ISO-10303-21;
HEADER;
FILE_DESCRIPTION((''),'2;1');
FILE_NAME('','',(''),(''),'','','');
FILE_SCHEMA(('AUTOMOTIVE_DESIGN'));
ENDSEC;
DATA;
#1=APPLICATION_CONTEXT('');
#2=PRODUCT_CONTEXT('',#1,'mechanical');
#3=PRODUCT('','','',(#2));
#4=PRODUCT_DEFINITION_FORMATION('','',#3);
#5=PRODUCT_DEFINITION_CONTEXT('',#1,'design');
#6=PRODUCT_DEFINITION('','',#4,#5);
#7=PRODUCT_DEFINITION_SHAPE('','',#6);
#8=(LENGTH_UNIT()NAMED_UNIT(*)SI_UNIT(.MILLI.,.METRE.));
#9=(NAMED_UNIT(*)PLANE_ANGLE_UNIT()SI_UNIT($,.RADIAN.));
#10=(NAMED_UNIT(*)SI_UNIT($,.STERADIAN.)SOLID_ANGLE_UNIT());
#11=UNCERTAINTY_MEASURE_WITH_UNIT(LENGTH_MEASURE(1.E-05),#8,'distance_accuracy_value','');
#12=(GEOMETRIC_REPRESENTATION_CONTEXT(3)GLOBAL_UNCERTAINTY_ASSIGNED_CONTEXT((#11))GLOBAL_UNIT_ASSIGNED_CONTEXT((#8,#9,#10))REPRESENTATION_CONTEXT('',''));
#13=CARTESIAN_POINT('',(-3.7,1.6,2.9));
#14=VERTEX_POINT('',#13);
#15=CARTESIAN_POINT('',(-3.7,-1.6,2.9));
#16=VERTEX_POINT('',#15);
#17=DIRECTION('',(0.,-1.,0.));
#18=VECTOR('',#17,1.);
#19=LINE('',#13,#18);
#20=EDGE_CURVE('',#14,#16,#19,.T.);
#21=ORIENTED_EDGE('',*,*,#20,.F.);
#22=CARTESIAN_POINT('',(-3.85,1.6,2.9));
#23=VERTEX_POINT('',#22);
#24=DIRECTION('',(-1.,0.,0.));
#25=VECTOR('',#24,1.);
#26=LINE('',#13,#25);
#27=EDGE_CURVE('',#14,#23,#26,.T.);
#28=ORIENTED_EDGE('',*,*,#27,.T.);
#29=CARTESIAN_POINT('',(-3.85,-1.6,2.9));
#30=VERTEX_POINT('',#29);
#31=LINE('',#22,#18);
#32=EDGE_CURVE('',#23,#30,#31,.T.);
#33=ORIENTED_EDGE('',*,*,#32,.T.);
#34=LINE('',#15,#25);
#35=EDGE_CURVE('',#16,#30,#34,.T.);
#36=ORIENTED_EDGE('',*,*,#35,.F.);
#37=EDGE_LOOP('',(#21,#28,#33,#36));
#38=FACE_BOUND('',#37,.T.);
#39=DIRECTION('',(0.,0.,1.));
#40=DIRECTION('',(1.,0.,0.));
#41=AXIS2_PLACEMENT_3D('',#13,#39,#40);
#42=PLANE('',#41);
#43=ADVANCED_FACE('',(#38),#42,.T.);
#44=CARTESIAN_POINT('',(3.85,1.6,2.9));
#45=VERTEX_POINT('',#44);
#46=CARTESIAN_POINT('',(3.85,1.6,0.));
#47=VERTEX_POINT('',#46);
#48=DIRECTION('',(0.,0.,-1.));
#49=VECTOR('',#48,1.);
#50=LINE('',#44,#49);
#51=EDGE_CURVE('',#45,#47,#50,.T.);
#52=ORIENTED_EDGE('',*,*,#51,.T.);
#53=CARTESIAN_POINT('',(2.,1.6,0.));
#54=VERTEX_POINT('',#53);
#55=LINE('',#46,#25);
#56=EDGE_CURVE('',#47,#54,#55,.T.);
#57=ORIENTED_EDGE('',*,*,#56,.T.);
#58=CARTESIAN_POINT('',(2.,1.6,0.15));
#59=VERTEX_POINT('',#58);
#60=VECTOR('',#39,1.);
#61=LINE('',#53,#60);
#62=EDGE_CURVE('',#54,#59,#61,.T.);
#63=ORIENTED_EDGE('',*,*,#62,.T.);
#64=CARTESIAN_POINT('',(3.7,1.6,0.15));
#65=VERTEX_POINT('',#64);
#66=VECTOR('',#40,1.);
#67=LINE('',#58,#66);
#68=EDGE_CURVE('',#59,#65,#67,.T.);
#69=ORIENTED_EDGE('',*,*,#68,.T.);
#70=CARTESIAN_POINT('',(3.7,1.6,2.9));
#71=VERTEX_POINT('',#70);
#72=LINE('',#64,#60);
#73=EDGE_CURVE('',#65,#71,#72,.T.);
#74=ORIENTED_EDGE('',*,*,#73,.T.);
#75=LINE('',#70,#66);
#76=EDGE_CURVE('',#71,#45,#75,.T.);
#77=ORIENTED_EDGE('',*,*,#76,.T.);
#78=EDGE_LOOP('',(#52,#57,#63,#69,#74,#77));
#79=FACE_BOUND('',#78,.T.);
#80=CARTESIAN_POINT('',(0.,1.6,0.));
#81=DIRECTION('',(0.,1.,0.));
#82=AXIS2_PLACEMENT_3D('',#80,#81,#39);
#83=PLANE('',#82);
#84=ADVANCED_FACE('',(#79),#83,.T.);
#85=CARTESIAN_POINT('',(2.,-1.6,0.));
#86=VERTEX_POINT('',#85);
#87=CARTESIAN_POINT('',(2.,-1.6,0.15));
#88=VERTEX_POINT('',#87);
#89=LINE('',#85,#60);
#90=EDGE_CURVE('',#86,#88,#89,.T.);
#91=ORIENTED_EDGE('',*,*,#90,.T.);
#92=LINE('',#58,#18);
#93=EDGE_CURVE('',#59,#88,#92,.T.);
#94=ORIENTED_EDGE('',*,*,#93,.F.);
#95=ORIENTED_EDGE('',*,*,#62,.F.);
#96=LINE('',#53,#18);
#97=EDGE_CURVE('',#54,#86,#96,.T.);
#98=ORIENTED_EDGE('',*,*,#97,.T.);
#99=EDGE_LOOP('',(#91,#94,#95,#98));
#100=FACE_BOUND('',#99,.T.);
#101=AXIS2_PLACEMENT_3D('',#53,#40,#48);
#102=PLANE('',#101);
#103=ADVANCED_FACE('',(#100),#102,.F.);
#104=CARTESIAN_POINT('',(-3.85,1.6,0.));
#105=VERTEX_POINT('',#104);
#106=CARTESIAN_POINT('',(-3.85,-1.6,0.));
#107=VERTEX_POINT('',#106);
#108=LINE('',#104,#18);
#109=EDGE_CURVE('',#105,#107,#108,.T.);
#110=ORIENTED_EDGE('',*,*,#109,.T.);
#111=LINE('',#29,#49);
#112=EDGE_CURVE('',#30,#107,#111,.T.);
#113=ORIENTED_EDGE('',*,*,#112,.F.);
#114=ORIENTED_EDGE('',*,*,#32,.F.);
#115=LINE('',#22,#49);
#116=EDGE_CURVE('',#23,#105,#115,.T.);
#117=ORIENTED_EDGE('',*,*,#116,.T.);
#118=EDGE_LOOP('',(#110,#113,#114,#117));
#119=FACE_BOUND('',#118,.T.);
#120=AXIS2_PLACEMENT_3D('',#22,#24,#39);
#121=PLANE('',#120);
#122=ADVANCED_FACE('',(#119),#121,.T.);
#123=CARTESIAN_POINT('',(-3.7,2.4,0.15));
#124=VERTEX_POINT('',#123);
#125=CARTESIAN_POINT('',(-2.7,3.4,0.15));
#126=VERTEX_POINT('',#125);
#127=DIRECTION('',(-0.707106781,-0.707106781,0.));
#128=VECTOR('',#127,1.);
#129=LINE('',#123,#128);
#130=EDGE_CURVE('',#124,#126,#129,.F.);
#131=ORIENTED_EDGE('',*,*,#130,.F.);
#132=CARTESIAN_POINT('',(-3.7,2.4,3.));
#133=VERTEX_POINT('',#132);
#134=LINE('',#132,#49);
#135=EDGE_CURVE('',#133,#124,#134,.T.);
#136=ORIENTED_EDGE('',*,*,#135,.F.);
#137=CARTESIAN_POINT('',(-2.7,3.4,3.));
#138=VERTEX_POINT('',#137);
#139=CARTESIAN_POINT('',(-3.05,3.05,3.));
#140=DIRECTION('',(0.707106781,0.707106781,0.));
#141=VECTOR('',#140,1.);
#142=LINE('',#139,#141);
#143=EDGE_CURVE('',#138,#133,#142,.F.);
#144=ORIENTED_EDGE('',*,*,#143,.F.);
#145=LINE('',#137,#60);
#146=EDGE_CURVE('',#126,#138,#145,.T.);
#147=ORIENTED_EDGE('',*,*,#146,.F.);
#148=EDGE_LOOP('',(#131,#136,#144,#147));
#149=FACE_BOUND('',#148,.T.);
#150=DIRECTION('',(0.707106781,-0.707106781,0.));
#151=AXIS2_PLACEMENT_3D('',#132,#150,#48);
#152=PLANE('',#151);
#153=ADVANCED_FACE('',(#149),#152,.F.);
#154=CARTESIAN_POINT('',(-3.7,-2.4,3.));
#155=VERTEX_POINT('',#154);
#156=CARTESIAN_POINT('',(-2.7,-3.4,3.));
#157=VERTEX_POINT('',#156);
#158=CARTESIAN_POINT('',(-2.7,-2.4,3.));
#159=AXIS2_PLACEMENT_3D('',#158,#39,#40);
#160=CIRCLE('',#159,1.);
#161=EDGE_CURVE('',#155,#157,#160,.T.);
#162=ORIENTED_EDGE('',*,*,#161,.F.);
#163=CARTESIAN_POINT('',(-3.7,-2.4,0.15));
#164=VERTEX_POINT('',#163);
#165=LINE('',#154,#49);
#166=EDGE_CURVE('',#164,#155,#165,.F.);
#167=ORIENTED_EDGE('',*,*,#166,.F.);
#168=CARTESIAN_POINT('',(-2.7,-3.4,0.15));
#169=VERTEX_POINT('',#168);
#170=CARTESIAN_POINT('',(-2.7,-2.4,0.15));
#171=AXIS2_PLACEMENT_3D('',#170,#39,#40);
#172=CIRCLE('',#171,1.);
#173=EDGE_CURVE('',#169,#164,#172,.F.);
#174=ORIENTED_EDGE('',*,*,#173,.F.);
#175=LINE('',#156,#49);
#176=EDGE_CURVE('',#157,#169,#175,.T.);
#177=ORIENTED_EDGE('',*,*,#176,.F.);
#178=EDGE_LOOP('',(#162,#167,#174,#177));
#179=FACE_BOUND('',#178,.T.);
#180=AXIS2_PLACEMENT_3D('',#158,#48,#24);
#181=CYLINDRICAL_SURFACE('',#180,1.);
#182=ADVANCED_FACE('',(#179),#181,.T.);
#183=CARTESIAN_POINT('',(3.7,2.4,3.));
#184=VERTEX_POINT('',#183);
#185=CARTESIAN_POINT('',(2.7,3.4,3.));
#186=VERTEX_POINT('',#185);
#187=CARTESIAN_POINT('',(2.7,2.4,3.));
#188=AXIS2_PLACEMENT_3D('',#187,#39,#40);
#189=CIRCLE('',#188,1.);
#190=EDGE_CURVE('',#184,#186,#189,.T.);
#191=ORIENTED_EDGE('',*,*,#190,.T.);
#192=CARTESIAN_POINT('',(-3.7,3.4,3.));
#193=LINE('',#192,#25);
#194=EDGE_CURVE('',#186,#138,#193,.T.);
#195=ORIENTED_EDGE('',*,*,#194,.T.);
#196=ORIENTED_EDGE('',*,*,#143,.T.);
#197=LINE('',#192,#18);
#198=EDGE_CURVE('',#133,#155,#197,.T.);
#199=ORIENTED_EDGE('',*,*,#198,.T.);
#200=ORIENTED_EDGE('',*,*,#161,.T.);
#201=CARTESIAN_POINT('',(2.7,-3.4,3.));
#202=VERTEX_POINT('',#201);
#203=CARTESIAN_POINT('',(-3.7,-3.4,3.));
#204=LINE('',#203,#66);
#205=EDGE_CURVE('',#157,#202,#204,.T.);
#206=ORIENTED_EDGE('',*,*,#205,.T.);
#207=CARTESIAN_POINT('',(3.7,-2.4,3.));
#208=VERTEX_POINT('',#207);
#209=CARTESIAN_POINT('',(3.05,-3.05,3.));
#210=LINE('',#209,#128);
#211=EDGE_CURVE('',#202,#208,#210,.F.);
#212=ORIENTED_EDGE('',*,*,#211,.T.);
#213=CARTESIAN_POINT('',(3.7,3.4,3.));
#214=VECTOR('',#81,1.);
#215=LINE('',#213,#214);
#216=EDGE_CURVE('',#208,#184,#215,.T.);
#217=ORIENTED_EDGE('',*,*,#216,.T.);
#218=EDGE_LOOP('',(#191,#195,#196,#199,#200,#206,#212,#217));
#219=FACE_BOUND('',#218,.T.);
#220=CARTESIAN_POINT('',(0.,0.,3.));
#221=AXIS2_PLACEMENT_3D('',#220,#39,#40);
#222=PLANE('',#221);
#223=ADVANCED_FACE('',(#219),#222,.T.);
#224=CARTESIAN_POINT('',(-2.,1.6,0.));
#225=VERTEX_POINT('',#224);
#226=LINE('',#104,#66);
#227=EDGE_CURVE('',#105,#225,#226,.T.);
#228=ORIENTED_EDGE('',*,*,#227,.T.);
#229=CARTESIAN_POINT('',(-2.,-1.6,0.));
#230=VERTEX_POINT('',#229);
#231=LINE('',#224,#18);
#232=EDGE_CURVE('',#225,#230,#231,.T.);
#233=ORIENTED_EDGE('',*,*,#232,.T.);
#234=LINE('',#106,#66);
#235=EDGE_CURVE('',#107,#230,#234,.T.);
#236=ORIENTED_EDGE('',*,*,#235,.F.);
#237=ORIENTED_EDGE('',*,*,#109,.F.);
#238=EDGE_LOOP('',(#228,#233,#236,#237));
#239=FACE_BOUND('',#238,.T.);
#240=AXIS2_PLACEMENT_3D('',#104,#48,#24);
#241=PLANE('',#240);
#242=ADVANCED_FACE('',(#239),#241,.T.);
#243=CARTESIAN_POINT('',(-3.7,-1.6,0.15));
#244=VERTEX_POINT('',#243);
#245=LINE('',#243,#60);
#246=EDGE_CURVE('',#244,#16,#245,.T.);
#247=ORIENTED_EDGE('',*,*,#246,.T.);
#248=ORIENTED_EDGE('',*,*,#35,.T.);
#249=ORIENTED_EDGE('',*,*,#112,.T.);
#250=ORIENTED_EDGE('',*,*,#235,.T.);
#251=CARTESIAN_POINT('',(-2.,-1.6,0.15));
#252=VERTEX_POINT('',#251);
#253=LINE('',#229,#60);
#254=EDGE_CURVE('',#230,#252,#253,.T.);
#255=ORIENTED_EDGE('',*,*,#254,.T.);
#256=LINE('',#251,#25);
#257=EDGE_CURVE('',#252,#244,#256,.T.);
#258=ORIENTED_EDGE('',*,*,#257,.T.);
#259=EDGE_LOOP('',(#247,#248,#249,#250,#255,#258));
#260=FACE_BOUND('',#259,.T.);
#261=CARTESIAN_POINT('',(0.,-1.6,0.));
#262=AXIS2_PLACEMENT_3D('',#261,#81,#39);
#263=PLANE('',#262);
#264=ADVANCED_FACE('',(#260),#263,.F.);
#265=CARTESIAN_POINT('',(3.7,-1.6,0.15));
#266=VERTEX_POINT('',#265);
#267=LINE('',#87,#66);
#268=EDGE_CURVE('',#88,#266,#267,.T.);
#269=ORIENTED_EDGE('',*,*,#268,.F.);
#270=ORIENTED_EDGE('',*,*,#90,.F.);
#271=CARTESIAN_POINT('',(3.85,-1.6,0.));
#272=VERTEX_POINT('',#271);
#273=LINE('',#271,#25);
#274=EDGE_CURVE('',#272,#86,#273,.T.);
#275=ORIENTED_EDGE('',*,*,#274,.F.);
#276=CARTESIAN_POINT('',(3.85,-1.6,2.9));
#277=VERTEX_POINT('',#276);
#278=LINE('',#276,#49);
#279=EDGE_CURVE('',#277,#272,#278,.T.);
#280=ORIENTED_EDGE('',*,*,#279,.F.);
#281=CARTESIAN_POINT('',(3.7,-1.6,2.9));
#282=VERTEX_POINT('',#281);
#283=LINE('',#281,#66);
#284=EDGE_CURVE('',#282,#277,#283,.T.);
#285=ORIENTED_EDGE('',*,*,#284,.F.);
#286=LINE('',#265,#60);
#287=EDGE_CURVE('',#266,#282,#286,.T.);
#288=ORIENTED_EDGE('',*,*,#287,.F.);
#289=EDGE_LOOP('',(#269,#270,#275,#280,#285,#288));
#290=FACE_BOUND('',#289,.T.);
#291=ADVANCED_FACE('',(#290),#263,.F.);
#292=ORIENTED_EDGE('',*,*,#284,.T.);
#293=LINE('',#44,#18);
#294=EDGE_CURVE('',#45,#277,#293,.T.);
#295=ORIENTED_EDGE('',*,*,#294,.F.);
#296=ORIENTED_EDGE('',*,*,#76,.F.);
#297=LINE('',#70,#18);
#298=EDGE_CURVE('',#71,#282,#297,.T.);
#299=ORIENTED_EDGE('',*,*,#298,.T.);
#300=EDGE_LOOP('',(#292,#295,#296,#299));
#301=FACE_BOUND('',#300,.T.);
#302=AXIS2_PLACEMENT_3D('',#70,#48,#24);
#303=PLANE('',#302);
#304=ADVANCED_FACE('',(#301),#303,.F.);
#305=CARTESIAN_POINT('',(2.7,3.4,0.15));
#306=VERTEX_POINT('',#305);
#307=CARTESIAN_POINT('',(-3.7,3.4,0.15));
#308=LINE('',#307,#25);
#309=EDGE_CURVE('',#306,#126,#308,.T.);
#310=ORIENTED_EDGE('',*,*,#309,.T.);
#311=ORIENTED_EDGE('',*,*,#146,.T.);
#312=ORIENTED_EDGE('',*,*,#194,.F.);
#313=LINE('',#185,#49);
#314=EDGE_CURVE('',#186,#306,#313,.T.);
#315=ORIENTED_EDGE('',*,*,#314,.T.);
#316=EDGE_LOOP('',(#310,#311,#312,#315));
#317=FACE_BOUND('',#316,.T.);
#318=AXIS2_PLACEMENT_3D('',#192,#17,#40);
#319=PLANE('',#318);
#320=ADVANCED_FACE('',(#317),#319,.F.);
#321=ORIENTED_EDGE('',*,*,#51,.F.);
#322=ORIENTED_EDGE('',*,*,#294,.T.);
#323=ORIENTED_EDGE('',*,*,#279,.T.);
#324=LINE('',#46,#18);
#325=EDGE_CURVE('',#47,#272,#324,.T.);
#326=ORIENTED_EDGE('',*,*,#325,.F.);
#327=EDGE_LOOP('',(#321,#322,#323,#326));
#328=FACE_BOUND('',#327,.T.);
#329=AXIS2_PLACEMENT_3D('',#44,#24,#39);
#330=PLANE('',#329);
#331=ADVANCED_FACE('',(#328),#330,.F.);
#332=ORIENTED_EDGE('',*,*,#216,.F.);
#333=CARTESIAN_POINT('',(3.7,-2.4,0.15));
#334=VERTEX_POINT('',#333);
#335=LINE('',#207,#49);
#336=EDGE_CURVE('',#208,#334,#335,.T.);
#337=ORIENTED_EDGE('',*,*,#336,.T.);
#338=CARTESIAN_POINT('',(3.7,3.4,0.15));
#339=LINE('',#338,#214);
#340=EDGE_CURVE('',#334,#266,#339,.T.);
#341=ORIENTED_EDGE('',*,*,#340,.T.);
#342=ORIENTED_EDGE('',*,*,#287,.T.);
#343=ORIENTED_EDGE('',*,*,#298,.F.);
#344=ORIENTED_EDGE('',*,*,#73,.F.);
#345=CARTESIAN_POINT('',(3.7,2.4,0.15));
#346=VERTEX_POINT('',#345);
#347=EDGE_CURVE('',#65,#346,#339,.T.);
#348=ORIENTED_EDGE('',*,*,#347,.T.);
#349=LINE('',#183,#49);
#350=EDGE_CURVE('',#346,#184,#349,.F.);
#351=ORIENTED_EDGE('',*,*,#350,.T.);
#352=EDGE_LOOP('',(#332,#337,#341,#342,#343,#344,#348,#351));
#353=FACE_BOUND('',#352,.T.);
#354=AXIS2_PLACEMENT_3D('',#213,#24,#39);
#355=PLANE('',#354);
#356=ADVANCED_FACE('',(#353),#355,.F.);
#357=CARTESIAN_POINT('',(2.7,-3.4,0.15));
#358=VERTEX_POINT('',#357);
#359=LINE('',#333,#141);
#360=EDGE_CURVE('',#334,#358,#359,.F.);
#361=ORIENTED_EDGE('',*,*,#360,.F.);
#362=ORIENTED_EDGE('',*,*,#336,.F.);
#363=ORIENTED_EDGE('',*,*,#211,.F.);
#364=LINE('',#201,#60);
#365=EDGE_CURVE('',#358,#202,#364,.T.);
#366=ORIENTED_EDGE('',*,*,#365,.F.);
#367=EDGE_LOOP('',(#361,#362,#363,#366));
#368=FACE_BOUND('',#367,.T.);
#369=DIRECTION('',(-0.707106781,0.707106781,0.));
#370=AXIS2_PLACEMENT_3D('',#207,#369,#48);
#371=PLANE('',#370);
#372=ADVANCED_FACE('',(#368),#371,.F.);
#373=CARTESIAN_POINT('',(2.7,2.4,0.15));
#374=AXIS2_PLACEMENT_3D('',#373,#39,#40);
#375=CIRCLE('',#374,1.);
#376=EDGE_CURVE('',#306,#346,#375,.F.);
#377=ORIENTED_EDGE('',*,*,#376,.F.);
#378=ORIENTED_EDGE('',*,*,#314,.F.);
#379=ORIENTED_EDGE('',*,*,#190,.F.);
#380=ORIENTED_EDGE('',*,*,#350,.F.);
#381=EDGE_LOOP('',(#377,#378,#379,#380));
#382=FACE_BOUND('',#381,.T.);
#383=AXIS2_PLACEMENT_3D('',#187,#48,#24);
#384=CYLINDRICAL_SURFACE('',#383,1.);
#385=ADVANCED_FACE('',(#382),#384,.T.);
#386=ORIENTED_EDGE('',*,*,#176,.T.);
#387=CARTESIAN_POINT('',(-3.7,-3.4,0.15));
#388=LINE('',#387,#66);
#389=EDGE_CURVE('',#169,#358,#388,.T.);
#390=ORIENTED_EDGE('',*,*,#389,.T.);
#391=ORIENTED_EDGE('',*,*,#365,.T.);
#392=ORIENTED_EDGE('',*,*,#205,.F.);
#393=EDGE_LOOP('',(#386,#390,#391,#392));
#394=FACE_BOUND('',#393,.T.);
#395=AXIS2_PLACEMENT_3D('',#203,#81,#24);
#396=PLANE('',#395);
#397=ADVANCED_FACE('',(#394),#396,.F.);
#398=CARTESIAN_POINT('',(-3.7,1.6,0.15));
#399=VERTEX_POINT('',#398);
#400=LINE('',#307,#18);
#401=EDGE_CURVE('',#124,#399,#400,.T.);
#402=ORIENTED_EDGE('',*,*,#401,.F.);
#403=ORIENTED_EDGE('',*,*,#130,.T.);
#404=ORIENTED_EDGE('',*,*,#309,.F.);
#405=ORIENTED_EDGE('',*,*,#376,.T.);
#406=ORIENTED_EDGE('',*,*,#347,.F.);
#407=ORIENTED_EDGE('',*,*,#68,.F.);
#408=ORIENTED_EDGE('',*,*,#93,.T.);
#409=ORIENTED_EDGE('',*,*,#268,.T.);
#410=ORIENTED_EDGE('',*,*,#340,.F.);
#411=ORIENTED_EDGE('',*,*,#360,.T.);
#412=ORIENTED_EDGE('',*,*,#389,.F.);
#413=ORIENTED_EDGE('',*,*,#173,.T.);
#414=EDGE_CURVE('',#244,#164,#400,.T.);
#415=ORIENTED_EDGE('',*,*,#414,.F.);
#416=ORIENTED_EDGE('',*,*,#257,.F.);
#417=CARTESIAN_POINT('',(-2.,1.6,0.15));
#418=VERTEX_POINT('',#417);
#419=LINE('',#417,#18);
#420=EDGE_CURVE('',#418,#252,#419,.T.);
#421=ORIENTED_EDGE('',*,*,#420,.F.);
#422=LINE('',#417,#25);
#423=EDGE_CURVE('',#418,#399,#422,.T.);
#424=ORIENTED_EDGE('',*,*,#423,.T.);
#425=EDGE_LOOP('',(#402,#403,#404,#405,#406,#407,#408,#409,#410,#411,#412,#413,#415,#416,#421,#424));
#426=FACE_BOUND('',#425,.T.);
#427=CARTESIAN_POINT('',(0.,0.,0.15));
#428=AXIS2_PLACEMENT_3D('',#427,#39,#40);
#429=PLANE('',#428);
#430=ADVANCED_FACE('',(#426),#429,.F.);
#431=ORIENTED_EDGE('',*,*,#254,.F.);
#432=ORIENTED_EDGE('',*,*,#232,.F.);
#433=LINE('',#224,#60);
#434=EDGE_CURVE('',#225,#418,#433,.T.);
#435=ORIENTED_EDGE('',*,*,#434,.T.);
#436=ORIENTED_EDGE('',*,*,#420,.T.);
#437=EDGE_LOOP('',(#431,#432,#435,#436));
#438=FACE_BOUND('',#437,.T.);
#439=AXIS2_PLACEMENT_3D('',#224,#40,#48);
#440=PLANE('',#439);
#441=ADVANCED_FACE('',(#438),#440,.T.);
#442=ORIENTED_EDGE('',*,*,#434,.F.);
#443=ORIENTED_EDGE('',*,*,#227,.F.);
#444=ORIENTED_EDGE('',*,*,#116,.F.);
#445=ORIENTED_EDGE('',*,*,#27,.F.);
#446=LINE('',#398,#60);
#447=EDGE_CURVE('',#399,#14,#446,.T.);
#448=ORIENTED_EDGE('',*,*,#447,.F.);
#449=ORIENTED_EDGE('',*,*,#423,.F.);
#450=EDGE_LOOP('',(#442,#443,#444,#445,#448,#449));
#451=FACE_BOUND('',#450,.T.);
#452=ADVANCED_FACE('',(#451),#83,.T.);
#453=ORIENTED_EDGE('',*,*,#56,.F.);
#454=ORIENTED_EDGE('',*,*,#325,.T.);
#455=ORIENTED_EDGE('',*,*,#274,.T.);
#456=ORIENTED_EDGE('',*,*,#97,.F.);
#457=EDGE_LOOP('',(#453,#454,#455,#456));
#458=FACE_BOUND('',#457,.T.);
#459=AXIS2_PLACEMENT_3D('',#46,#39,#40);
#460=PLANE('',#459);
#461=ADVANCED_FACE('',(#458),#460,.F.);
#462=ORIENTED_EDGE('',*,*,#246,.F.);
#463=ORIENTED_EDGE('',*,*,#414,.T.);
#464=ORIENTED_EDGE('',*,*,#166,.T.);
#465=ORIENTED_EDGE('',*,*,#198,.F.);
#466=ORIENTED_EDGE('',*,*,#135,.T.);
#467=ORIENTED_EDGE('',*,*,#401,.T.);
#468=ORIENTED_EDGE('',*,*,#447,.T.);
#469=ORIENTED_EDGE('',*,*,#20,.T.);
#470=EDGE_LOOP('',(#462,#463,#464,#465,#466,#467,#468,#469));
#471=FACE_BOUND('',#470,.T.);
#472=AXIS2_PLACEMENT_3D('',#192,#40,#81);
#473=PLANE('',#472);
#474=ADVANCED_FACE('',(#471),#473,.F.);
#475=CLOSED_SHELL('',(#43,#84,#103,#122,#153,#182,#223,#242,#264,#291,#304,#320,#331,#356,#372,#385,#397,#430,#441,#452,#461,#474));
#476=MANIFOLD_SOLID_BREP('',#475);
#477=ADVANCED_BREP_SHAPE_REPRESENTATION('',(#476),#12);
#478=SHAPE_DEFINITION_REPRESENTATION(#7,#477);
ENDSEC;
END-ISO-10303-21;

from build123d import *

# Parameters (mm, degrees)
BOSS_EXTRUDE1_START = 0.15
SKETCH1_W           = 7.4
SKETCH1_H           = 6.8
BOSS_EXTRUDE1_DEPTH = 2.85
FILLET1_R           = 1
CHAMFER1_SIZE       = 1
BOSS_EXTRUDE2_DEPTH = 1.6


with BuildPart() as part:
    # Sketch1 → Boss-Extrude1 (new body)
    with BuildSketch(Plane.XY.offset(BOSS_EXTRUDE1_START)):
        Rectangle(SKETCH1_W, SKETCH1_H)
    extrude(amount=BOSS_EXTRUDE1_DEPTH)

    # Fillet1
    fillet1_edges = [part.edges().sort_by_distance(p)[0] for p in [
        (-3.7, -3.4, 1.575),
        (3.7, 3.4, 1.575),
    ]]
    fillet(fillet1_edges, radius=FILLET1_R)

    # Chamfer1
    chamfer1_edges = [part.edges().sort_by_distance(p)[0] for p in [
        (3.7, -3.4, 1.575),
        (-3.7, 3.4, 1.575),
    ]]
    chamfer(chamfer1_edges, length=CHAMFER1_SIZE)

    # Sketch2 → Boss-Extrude2 (add, symmetric)
    with BuildSketch(Plane(origin=(0, 0, 0), x_dir=(1, 0, 0), z_dir=(0, 1, 0))):
        Polygon((2, -0.15), (3.7, -0.15), (3.7, -2.9), (3.85, -2.9), (3.85, 0), (2, 0), align=None)
    boss_extrude2 = extrude(amount=BOSS_EXTRUDE2_DEPTH, both=True)

    # Mirror1: Boss-Extrude2 across plane
    add(boss_extrude2.mirror(Plane(origin=(0, 0, 0), x_dir=(0, 0, 1), z_dir=(1, 0, 0))))


solid = part.part
